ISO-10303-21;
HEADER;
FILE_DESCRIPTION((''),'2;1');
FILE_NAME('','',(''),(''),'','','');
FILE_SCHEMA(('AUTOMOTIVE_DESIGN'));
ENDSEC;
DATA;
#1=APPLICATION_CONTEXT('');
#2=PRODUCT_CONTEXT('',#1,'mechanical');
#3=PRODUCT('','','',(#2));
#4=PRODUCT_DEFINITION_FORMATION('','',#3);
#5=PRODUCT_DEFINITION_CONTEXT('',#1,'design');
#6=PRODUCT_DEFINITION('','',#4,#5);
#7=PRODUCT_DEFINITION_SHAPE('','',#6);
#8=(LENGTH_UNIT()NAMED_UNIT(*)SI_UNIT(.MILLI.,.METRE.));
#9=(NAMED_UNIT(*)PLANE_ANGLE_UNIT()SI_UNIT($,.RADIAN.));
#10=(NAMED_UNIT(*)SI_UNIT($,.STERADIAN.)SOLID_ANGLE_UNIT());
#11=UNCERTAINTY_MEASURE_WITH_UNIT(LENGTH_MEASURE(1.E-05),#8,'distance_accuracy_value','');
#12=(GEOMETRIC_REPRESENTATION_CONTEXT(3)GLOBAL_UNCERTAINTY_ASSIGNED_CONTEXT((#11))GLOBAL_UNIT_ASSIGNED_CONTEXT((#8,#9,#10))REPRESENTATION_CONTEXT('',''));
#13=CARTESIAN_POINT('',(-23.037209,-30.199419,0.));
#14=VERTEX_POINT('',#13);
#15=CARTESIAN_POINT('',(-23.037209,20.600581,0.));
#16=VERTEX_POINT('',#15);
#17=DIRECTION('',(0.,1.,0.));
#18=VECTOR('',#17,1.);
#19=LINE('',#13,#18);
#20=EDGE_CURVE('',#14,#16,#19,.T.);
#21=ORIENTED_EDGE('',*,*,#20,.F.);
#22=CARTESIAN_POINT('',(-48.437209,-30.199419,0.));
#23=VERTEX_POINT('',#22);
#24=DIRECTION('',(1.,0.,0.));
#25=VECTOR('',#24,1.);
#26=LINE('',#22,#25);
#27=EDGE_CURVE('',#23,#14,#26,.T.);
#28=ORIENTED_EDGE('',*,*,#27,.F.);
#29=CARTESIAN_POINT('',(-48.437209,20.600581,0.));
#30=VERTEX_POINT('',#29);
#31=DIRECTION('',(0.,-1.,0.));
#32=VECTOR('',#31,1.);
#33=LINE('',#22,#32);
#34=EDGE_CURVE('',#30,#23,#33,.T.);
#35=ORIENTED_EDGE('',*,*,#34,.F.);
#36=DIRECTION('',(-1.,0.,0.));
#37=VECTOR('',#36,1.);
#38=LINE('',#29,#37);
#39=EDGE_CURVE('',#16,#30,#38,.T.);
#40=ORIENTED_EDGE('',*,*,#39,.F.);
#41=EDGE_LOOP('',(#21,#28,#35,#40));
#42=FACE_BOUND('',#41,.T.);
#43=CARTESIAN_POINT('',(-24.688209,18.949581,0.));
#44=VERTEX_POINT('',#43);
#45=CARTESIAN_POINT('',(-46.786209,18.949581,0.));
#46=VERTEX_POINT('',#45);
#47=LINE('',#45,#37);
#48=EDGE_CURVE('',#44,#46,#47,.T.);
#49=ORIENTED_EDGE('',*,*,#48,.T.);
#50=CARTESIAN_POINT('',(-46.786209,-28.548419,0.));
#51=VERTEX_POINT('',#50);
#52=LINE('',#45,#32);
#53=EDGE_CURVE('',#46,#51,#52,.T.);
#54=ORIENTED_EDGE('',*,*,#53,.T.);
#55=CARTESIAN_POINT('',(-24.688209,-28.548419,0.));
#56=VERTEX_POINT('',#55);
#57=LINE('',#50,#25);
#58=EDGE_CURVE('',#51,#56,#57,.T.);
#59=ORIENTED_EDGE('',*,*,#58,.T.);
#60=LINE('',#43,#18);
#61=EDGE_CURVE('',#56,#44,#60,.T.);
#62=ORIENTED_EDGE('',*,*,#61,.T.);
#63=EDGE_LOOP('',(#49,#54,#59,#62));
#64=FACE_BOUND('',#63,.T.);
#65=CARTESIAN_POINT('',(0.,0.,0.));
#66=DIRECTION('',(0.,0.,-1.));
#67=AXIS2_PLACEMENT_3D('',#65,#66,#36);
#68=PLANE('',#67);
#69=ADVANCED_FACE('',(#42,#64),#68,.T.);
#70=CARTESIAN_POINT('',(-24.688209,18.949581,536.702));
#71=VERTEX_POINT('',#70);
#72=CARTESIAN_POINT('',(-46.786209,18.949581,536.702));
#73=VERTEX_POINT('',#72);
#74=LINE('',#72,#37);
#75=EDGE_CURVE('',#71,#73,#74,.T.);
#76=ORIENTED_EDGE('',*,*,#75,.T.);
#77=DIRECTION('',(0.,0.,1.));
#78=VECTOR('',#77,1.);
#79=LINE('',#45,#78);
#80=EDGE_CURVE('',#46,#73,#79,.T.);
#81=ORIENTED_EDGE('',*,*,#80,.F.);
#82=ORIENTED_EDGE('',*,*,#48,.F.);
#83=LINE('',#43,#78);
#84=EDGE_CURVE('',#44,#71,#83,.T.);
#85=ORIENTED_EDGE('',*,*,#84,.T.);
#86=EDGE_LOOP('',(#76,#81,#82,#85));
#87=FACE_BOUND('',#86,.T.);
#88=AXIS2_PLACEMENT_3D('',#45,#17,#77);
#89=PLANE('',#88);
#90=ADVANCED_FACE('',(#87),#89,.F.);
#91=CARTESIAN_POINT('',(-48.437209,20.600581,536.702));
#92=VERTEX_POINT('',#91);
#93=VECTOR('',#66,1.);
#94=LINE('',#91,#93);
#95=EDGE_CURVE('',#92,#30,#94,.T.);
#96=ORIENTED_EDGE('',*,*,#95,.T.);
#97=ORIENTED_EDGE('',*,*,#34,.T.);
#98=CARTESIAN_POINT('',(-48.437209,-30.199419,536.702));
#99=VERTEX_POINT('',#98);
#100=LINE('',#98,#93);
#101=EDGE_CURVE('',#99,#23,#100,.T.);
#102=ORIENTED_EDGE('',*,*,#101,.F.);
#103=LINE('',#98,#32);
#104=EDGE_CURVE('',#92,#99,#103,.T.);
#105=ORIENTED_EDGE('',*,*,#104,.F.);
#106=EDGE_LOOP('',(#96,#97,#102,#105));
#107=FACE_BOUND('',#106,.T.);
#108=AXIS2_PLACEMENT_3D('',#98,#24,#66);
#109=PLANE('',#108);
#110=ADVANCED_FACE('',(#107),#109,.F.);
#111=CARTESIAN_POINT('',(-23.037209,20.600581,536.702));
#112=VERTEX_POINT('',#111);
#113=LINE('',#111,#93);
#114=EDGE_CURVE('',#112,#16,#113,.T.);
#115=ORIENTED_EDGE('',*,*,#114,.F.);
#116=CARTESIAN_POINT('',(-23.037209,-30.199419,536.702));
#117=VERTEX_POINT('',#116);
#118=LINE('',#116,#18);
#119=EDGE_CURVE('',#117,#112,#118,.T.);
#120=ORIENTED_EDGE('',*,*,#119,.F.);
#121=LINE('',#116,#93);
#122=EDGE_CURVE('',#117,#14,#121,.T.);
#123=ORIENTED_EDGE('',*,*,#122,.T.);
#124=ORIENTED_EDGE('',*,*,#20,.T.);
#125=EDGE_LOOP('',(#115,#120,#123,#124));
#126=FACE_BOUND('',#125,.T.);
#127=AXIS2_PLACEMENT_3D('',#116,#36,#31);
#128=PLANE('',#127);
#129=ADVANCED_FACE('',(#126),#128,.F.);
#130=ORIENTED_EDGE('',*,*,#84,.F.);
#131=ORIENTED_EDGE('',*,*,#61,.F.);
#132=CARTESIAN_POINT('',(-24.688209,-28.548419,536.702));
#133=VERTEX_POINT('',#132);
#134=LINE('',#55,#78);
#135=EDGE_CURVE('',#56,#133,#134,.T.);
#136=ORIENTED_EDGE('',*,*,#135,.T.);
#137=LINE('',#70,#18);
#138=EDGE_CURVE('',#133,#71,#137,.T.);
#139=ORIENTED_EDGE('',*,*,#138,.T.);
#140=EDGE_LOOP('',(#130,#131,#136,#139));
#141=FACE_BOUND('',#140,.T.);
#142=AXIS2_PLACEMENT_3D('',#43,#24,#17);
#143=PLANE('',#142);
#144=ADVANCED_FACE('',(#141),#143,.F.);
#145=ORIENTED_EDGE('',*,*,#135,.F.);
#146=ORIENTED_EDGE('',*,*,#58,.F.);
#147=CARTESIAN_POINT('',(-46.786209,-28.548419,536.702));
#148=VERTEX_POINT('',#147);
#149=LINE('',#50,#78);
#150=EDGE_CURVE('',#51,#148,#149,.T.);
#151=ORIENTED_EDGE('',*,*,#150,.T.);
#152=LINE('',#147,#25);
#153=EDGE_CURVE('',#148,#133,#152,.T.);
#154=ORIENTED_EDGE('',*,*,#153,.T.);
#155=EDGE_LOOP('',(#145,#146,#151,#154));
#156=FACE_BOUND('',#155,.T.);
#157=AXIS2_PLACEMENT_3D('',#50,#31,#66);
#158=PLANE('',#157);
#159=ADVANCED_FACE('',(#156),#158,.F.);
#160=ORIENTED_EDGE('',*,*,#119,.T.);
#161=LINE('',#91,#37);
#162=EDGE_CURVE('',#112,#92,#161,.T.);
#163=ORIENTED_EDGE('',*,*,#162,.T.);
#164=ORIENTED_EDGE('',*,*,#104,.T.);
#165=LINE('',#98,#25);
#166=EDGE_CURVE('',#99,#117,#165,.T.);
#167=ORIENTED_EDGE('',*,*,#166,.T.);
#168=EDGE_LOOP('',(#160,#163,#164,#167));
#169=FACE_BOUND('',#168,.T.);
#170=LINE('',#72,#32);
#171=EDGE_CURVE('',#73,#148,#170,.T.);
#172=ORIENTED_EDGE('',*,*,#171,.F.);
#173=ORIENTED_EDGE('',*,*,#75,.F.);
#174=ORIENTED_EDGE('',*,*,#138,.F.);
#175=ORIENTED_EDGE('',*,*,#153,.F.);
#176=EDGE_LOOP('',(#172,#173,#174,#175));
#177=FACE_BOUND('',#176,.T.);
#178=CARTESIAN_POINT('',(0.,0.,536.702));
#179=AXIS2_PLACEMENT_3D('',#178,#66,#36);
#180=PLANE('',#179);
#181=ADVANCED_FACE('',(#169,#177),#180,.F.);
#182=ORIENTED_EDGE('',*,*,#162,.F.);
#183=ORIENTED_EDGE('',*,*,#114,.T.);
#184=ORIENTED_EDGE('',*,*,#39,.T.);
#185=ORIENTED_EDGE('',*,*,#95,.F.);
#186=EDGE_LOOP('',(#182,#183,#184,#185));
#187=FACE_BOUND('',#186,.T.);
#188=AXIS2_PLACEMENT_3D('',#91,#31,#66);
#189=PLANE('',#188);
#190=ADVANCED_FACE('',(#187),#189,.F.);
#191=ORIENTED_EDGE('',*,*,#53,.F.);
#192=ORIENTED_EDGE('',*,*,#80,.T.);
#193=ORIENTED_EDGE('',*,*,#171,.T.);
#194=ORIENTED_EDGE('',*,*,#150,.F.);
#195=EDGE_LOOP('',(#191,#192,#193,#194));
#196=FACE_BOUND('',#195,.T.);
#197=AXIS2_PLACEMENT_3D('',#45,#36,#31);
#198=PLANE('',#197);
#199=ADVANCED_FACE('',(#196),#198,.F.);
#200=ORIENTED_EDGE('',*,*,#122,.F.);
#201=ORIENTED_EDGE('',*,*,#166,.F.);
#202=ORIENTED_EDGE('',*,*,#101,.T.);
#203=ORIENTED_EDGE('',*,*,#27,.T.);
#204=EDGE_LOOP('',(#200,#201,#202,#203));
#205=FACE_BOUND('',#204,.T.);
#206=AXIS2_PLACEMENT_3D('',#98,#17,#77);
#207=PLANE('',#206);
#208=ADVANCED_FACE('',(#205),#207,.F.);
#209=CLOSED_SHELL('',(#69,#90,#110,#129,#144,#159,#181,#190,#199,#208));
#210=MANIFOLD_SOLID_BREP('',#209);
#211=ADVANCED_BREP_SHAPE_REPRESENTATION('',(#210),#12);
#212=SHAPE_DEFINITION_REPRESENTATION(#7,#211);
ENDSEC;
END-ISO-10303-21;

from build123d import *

# Parameters (mm, degrees)
SKETCH1_W           = 25.4
SKETCH1_H           = 50.8
BOSS_EXTRUDE1_DEPTH = 536.702
SKETCH2_W           = 22.098
SKETCH2_H           = 47.498
CUT_EXTRUDE1_DEPTH  = 540.728825368


with BuildPart() as part:
    # Sketch1 → Boss-Extrude1 (new body)
    with BuildSketch(Plane.XY):
        with Locations((-35.737209302, -4.799418605)):
            Rectangle(SKETCH1_W, SKETCH1_H)
    extrude(amount=BOSS_EXTRUDE1_DEPTH)

    # Sketch2 → Cut-Extrude1 (cut, through all)
    with BuildSketch(Plane.XY.offset(536.702)):
        with Locations((-35.737209302, -4.799418605)):
            Rectangle(SKETCH2_W, SKETCH2_H)
    extrude(amount=-CUT_EXTRUDE1_DEPTH, mode=Mode.SUBTRACT)


solid = part.part
